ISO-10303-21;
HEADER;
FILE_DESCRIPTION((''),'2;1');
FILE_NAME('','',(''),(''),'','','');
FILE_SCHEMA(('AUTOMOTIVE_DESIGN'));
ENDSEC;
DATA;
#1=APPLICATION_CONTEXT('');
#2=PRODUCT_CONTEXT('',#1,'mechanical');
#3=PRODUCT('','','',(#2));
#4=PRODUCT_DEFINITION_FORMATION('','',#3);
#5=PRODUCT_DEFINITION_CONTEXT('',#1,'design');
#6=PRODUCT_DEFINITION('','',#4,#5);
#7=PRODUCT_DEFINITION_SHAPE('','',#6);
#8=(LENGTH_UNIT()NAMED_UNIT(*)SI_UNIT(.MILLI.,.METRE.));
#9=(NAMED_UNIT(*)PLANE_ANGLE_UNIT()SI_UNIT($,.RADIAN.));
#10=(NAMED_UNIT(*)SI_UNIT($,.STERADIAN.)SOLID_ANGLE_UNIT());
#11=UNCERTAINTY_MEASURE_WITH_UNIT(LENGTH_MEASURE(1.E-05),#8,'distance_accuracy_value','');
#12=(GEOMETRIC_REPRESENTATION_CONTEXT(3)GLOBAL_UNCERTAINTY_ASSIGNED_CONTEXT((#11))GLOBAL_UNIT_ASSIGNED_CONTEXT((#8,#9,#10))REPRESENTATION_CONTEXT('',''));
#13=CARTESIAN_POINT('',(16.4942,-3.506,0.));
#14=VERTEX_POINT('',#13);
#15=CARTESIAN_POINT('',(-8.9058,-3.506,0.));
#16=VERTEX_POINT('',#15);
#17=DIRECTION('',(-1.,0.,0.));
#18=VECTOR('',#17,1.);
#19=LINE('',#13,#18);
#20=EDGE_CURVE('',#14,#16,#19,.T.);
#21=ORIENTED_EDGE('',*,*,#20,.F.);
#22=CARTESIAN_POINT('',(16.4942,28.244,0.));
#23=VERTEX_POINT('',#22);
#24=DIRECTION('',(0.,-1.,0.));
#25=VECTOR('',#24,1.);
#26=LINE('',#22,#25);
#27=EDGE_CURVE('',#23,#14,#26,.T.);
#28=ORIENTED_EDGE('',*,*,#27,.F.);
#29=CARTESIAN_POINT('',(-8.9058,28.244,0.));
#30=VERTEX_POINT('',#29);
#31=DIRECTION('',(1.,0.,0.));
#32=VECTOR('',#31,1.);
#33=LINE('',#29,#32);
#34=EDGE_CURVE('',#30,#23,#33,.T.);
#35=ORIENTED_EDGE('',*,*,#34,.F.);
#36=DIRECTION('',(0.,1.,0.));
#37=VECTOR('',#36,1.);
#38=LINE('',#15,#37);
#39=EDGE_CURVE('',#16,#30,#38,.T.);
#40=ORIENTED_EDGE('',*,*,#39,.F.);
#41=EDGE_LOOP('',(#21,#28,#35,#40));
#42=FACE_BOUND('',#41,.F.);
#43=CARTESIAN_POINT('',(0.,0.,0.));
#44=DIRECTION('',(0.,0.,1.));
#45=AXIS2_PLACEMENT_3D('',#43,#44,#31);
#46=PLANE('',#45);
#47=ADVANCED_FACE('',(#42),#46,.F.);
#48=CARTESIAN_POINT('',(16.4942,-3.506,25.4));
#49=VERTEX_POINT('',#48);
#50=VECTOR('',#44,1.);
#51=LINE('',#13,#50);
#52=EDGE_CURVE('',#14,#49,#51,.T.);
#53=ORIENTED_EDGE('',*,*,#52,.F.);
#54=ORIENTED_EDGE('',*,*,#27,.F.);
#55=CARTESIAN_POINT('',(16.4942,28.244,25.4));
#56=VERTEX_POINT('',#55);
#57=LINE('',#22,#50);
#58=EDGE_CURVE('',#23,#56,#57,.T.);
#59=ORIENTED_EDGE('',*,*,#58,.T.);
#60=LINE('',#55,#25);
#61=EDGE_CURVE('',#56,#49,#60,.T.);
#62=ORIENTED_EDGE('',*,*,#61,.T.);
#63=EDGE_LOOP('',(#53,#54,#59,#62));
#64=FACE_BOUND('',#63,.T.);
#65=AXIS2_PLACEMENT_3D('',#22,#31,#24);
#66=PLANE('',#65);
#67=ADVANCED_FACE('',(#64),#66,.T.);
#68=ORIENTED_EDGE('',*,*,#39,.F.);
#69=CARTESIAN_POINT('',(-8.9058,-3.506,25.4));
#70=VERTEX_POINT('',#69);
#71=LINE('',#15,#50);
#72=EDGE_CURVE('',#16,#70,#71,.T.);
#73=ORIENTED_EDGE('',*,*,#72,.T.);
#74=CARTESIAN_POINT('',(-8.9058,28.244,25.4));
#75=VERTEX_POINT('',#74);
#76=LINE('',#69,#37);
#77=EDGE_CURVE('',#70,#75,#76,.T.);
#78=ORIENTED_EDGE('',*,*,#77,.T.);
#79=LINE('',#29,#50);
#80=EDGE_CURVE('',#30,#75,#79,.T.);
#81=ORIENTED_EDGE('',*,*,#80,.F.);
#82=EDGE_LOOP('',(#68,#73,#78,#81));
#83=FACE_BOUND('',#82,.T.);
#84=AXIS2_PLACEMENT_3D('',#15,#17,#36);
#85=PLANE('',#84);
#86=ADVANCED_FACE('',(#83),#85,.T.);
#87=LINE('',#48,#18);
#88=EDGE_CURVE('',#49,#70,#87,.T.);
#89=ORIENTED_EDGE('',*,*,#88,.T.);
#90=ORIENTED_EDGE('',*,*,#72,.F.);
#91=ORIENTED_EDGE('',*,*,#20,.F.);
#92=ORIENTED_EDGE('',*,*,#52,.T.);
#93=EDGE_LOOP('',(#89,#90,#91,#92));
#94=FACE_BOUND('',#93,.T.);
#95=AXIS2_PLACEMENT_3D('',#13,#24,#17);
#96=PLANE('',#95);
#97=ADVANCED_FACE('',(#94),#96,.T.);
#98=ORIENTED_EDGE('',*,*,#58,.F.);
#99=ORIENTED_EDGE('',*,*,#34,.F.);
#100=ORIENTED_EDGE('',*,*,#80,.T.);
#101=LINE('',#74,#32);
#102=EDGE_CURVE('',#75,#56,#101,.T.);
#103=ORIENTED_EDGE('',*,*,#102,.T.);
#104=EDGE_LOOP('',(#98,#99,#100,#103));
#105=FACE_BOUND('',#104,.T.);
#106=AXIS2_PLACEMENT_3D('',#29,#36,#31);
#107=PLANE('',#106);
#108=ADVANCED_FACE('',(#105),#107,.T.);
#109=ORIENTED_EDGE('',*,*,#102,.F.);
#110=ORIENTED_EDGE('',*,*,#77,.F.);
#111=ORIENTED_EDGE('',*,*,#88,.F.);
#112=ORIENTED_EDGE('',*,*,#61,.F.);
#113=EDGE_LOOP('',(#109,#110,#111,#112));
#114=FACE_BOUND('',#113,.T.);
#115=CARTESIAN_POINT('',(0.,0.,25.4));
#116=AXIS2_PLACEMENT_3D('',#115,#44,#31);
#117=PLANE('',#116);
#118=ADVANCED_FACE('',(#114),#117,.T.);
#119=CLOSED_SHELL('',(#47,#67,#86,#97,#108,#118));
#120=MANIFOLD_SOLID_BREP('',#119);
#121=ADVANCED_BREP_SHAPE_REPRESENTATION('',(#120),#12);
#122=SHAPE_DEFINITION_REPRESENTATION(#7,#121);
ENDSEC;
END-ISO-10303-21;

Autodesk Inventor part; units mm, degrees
ref_plane "YZ Plane" through (0, 0, 0) normal (1, 0, 0) x (0, 1, 0)
ref_plane "XZ Plane" through (0, 0, 0) normal (0, 1, 0) x (-1, 0, 0)
ref_plane "XY Plane" through (0, 0, 0) normal (0, 0, 1) x (1, 0, 0)
sketch "Sketch1" plane through (0, 0, 0) normal (0, 0, 1) x (1, 0, 0)
  line L0 (-8.9058, 28.244) -> (16.4942, 28.244)
  line L1 (16.4942, 28.244) -> (16.4942, -3.506)
  line L2 (16.4942, -3.506) -> (-8.9058, -3.506)
  line L3 (-8.9058, -3.506) -> (-8.9058, 28.244)
  point P0 (0, 0)
  dimension "d0" = 25.4
  dimension "d1" = 31.75
extrude "Extrusion1" add sketch "Sketch1" along normal blind 25.4
properties part number "1 x1"
